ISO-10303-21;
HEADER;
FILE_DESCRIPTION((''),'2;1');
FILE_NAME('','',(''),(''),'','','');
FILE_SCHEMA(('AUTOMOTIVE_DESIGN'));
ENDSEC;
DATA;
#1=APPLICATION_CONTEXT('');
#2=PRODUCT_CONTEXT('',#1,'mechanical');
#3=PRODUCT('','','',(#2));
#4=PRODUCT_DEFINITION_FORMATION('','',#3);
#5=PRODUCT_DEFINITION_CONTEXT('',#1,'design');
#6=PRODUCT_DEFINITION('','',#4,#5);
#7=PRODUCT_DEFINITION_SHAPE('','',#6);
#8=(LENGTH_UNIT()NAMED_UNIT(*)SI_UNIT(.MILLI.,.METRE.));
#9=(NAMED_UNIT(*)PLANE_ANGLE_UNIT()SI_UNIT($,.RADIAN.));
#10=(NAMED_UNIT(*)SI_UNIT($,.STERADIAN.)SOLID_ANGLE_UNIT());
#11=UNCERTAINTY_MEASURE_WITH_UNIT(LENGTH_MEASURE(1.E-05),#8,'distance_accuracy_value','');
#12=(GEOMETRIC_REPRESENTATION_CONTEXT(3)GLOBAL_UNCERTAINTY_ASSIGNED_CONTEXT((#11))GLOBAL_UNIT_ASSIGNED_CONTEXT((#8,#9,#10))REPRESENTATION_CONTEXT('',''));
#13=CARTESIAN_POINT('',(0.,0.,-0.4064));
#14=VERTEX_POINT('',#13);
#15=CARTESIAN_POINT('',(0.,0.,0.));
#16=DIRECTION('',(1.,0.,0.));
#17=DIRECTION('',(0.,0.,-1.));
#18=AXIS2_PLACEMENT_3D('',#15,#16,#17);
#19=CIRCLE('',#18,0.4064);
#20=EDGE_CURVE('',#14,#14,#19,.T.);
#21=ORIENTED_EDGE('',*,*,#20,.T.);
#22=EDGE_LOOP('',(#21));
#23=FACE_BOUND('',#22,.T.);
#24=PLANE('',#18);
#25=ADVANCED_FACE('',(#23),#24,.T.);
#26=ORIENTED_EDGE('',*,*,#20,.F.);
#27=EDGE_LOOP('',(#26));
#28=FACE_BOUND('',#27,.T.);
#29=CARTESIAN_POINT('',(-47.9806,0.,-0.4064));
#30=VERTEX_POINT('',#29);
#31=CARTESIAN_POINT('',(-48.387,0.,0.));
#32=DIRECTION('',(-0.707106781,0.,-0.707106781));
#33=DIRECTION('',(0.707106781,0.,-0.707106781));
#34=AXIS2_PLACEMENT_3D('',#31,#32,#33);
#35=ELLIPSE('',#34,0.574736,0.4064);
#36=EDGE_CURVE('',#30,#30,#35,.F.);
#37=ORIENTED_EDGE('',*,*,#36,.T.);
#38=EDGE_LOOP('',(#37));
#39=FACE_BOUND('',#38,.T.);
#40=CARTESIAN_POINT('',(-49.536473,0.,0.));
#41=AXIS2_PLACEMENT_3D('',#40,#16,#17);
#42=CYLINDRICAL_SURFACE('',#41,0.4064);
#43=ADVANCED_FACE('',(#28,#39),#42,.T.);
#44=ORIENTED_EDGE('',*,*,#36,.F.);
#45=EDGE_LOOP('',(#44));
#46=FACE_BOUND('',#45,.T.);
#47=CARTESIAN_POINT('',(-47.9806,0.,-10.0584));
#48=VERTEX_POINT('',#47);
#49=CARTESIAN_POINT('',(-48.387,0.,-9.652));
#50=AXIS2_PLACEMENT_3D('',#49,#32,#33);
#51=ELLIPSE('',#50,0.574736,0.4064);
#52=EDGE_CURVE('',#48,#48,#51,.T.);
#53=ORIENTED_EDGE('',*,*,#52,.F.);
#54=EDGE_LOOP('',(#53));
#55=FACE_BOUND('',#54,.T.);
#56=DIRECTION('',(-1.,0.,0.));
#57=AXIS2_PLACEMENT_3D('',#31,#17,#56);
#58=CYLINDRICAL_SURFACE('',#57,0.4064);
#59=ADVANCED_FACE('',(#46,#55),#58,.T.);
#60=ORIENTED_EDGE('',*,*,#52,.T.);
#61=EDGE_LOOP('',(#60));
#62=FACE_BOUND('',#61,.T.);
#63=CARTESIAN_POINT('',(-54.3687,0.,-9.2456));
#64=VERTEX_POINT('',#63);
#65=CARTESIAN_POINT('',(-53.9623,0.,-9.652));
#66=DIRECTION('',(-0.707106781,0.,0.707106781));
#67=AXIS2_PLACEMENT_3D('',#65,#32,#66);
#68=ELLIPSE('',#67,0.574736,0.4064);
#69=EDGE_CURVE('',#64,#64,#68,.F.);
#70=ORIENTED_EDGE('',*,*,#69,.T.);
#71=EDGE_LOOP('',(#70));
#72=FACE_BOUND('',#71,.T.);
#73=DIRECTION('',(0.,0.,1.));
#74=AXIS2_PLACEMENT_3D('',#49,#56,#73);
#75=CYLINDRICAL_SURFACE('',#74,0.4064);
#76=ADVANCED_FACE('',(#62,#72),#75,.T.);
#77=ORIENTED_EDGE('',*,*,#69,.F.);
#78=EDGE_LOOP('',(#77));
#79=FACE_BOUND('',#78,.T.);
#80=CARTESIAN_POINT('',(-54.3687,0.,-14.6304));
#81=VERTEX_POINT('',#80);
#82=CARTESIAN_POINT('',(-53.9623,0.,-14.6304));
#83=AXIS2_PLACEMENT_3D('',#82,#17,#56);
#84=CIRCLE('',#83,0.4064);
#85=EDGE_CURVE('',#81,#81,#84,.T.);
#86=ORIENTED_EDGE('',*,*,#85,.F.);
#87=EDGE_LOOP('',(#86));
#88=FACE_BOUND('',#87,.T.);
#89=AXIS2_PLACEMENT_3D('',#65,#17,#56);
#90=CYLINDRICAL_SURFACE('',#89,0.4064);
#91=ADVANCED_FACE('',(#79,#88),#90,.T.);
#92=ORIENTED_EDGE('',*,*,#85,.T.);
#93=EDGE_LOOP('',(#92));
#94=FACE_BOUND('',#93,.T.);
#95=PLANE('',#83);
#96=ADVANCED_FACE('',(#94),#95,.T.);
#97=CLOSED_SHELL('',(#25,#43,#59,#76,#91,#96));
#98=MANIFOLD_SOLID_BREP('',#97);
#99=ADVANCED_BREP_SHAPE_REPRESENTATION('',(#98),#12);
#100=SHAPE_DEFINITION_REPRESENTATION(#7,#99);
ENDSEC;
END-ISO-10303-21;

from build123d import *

# Parameters (mm, degrees)
SKETCH2_R = 0.4064


with BuildPart() as part:
    # Sweep1: sweep along a path in Sketch1
    with BuildLine(Plane(origin=(0, 0, 0), x_dir=(1, 0, 0), z_dir=(0, 1, 0))) as sweep1_path:
        Line((0, 0), (-48.387, 0))
        Line((-48.387, 0), (-48.387, 9.652))
        Line((-48.387, 9.652), (-53.9623, 9.652))
        Line((-53.9623, 9.652), (-53.9623, 14.6304))
    # Sketch2 → Sweep1 (sweep)
    with BuildSketch(Plane(origin=(0, 0, 0), x_dir=(0, 0, -1), z_dir=(1, 0, 0))):
        Circle(SKETCH2_R)
    sweep(path=sweep1_path.line, transition=Transition.RIGHT)


solid = part.part
